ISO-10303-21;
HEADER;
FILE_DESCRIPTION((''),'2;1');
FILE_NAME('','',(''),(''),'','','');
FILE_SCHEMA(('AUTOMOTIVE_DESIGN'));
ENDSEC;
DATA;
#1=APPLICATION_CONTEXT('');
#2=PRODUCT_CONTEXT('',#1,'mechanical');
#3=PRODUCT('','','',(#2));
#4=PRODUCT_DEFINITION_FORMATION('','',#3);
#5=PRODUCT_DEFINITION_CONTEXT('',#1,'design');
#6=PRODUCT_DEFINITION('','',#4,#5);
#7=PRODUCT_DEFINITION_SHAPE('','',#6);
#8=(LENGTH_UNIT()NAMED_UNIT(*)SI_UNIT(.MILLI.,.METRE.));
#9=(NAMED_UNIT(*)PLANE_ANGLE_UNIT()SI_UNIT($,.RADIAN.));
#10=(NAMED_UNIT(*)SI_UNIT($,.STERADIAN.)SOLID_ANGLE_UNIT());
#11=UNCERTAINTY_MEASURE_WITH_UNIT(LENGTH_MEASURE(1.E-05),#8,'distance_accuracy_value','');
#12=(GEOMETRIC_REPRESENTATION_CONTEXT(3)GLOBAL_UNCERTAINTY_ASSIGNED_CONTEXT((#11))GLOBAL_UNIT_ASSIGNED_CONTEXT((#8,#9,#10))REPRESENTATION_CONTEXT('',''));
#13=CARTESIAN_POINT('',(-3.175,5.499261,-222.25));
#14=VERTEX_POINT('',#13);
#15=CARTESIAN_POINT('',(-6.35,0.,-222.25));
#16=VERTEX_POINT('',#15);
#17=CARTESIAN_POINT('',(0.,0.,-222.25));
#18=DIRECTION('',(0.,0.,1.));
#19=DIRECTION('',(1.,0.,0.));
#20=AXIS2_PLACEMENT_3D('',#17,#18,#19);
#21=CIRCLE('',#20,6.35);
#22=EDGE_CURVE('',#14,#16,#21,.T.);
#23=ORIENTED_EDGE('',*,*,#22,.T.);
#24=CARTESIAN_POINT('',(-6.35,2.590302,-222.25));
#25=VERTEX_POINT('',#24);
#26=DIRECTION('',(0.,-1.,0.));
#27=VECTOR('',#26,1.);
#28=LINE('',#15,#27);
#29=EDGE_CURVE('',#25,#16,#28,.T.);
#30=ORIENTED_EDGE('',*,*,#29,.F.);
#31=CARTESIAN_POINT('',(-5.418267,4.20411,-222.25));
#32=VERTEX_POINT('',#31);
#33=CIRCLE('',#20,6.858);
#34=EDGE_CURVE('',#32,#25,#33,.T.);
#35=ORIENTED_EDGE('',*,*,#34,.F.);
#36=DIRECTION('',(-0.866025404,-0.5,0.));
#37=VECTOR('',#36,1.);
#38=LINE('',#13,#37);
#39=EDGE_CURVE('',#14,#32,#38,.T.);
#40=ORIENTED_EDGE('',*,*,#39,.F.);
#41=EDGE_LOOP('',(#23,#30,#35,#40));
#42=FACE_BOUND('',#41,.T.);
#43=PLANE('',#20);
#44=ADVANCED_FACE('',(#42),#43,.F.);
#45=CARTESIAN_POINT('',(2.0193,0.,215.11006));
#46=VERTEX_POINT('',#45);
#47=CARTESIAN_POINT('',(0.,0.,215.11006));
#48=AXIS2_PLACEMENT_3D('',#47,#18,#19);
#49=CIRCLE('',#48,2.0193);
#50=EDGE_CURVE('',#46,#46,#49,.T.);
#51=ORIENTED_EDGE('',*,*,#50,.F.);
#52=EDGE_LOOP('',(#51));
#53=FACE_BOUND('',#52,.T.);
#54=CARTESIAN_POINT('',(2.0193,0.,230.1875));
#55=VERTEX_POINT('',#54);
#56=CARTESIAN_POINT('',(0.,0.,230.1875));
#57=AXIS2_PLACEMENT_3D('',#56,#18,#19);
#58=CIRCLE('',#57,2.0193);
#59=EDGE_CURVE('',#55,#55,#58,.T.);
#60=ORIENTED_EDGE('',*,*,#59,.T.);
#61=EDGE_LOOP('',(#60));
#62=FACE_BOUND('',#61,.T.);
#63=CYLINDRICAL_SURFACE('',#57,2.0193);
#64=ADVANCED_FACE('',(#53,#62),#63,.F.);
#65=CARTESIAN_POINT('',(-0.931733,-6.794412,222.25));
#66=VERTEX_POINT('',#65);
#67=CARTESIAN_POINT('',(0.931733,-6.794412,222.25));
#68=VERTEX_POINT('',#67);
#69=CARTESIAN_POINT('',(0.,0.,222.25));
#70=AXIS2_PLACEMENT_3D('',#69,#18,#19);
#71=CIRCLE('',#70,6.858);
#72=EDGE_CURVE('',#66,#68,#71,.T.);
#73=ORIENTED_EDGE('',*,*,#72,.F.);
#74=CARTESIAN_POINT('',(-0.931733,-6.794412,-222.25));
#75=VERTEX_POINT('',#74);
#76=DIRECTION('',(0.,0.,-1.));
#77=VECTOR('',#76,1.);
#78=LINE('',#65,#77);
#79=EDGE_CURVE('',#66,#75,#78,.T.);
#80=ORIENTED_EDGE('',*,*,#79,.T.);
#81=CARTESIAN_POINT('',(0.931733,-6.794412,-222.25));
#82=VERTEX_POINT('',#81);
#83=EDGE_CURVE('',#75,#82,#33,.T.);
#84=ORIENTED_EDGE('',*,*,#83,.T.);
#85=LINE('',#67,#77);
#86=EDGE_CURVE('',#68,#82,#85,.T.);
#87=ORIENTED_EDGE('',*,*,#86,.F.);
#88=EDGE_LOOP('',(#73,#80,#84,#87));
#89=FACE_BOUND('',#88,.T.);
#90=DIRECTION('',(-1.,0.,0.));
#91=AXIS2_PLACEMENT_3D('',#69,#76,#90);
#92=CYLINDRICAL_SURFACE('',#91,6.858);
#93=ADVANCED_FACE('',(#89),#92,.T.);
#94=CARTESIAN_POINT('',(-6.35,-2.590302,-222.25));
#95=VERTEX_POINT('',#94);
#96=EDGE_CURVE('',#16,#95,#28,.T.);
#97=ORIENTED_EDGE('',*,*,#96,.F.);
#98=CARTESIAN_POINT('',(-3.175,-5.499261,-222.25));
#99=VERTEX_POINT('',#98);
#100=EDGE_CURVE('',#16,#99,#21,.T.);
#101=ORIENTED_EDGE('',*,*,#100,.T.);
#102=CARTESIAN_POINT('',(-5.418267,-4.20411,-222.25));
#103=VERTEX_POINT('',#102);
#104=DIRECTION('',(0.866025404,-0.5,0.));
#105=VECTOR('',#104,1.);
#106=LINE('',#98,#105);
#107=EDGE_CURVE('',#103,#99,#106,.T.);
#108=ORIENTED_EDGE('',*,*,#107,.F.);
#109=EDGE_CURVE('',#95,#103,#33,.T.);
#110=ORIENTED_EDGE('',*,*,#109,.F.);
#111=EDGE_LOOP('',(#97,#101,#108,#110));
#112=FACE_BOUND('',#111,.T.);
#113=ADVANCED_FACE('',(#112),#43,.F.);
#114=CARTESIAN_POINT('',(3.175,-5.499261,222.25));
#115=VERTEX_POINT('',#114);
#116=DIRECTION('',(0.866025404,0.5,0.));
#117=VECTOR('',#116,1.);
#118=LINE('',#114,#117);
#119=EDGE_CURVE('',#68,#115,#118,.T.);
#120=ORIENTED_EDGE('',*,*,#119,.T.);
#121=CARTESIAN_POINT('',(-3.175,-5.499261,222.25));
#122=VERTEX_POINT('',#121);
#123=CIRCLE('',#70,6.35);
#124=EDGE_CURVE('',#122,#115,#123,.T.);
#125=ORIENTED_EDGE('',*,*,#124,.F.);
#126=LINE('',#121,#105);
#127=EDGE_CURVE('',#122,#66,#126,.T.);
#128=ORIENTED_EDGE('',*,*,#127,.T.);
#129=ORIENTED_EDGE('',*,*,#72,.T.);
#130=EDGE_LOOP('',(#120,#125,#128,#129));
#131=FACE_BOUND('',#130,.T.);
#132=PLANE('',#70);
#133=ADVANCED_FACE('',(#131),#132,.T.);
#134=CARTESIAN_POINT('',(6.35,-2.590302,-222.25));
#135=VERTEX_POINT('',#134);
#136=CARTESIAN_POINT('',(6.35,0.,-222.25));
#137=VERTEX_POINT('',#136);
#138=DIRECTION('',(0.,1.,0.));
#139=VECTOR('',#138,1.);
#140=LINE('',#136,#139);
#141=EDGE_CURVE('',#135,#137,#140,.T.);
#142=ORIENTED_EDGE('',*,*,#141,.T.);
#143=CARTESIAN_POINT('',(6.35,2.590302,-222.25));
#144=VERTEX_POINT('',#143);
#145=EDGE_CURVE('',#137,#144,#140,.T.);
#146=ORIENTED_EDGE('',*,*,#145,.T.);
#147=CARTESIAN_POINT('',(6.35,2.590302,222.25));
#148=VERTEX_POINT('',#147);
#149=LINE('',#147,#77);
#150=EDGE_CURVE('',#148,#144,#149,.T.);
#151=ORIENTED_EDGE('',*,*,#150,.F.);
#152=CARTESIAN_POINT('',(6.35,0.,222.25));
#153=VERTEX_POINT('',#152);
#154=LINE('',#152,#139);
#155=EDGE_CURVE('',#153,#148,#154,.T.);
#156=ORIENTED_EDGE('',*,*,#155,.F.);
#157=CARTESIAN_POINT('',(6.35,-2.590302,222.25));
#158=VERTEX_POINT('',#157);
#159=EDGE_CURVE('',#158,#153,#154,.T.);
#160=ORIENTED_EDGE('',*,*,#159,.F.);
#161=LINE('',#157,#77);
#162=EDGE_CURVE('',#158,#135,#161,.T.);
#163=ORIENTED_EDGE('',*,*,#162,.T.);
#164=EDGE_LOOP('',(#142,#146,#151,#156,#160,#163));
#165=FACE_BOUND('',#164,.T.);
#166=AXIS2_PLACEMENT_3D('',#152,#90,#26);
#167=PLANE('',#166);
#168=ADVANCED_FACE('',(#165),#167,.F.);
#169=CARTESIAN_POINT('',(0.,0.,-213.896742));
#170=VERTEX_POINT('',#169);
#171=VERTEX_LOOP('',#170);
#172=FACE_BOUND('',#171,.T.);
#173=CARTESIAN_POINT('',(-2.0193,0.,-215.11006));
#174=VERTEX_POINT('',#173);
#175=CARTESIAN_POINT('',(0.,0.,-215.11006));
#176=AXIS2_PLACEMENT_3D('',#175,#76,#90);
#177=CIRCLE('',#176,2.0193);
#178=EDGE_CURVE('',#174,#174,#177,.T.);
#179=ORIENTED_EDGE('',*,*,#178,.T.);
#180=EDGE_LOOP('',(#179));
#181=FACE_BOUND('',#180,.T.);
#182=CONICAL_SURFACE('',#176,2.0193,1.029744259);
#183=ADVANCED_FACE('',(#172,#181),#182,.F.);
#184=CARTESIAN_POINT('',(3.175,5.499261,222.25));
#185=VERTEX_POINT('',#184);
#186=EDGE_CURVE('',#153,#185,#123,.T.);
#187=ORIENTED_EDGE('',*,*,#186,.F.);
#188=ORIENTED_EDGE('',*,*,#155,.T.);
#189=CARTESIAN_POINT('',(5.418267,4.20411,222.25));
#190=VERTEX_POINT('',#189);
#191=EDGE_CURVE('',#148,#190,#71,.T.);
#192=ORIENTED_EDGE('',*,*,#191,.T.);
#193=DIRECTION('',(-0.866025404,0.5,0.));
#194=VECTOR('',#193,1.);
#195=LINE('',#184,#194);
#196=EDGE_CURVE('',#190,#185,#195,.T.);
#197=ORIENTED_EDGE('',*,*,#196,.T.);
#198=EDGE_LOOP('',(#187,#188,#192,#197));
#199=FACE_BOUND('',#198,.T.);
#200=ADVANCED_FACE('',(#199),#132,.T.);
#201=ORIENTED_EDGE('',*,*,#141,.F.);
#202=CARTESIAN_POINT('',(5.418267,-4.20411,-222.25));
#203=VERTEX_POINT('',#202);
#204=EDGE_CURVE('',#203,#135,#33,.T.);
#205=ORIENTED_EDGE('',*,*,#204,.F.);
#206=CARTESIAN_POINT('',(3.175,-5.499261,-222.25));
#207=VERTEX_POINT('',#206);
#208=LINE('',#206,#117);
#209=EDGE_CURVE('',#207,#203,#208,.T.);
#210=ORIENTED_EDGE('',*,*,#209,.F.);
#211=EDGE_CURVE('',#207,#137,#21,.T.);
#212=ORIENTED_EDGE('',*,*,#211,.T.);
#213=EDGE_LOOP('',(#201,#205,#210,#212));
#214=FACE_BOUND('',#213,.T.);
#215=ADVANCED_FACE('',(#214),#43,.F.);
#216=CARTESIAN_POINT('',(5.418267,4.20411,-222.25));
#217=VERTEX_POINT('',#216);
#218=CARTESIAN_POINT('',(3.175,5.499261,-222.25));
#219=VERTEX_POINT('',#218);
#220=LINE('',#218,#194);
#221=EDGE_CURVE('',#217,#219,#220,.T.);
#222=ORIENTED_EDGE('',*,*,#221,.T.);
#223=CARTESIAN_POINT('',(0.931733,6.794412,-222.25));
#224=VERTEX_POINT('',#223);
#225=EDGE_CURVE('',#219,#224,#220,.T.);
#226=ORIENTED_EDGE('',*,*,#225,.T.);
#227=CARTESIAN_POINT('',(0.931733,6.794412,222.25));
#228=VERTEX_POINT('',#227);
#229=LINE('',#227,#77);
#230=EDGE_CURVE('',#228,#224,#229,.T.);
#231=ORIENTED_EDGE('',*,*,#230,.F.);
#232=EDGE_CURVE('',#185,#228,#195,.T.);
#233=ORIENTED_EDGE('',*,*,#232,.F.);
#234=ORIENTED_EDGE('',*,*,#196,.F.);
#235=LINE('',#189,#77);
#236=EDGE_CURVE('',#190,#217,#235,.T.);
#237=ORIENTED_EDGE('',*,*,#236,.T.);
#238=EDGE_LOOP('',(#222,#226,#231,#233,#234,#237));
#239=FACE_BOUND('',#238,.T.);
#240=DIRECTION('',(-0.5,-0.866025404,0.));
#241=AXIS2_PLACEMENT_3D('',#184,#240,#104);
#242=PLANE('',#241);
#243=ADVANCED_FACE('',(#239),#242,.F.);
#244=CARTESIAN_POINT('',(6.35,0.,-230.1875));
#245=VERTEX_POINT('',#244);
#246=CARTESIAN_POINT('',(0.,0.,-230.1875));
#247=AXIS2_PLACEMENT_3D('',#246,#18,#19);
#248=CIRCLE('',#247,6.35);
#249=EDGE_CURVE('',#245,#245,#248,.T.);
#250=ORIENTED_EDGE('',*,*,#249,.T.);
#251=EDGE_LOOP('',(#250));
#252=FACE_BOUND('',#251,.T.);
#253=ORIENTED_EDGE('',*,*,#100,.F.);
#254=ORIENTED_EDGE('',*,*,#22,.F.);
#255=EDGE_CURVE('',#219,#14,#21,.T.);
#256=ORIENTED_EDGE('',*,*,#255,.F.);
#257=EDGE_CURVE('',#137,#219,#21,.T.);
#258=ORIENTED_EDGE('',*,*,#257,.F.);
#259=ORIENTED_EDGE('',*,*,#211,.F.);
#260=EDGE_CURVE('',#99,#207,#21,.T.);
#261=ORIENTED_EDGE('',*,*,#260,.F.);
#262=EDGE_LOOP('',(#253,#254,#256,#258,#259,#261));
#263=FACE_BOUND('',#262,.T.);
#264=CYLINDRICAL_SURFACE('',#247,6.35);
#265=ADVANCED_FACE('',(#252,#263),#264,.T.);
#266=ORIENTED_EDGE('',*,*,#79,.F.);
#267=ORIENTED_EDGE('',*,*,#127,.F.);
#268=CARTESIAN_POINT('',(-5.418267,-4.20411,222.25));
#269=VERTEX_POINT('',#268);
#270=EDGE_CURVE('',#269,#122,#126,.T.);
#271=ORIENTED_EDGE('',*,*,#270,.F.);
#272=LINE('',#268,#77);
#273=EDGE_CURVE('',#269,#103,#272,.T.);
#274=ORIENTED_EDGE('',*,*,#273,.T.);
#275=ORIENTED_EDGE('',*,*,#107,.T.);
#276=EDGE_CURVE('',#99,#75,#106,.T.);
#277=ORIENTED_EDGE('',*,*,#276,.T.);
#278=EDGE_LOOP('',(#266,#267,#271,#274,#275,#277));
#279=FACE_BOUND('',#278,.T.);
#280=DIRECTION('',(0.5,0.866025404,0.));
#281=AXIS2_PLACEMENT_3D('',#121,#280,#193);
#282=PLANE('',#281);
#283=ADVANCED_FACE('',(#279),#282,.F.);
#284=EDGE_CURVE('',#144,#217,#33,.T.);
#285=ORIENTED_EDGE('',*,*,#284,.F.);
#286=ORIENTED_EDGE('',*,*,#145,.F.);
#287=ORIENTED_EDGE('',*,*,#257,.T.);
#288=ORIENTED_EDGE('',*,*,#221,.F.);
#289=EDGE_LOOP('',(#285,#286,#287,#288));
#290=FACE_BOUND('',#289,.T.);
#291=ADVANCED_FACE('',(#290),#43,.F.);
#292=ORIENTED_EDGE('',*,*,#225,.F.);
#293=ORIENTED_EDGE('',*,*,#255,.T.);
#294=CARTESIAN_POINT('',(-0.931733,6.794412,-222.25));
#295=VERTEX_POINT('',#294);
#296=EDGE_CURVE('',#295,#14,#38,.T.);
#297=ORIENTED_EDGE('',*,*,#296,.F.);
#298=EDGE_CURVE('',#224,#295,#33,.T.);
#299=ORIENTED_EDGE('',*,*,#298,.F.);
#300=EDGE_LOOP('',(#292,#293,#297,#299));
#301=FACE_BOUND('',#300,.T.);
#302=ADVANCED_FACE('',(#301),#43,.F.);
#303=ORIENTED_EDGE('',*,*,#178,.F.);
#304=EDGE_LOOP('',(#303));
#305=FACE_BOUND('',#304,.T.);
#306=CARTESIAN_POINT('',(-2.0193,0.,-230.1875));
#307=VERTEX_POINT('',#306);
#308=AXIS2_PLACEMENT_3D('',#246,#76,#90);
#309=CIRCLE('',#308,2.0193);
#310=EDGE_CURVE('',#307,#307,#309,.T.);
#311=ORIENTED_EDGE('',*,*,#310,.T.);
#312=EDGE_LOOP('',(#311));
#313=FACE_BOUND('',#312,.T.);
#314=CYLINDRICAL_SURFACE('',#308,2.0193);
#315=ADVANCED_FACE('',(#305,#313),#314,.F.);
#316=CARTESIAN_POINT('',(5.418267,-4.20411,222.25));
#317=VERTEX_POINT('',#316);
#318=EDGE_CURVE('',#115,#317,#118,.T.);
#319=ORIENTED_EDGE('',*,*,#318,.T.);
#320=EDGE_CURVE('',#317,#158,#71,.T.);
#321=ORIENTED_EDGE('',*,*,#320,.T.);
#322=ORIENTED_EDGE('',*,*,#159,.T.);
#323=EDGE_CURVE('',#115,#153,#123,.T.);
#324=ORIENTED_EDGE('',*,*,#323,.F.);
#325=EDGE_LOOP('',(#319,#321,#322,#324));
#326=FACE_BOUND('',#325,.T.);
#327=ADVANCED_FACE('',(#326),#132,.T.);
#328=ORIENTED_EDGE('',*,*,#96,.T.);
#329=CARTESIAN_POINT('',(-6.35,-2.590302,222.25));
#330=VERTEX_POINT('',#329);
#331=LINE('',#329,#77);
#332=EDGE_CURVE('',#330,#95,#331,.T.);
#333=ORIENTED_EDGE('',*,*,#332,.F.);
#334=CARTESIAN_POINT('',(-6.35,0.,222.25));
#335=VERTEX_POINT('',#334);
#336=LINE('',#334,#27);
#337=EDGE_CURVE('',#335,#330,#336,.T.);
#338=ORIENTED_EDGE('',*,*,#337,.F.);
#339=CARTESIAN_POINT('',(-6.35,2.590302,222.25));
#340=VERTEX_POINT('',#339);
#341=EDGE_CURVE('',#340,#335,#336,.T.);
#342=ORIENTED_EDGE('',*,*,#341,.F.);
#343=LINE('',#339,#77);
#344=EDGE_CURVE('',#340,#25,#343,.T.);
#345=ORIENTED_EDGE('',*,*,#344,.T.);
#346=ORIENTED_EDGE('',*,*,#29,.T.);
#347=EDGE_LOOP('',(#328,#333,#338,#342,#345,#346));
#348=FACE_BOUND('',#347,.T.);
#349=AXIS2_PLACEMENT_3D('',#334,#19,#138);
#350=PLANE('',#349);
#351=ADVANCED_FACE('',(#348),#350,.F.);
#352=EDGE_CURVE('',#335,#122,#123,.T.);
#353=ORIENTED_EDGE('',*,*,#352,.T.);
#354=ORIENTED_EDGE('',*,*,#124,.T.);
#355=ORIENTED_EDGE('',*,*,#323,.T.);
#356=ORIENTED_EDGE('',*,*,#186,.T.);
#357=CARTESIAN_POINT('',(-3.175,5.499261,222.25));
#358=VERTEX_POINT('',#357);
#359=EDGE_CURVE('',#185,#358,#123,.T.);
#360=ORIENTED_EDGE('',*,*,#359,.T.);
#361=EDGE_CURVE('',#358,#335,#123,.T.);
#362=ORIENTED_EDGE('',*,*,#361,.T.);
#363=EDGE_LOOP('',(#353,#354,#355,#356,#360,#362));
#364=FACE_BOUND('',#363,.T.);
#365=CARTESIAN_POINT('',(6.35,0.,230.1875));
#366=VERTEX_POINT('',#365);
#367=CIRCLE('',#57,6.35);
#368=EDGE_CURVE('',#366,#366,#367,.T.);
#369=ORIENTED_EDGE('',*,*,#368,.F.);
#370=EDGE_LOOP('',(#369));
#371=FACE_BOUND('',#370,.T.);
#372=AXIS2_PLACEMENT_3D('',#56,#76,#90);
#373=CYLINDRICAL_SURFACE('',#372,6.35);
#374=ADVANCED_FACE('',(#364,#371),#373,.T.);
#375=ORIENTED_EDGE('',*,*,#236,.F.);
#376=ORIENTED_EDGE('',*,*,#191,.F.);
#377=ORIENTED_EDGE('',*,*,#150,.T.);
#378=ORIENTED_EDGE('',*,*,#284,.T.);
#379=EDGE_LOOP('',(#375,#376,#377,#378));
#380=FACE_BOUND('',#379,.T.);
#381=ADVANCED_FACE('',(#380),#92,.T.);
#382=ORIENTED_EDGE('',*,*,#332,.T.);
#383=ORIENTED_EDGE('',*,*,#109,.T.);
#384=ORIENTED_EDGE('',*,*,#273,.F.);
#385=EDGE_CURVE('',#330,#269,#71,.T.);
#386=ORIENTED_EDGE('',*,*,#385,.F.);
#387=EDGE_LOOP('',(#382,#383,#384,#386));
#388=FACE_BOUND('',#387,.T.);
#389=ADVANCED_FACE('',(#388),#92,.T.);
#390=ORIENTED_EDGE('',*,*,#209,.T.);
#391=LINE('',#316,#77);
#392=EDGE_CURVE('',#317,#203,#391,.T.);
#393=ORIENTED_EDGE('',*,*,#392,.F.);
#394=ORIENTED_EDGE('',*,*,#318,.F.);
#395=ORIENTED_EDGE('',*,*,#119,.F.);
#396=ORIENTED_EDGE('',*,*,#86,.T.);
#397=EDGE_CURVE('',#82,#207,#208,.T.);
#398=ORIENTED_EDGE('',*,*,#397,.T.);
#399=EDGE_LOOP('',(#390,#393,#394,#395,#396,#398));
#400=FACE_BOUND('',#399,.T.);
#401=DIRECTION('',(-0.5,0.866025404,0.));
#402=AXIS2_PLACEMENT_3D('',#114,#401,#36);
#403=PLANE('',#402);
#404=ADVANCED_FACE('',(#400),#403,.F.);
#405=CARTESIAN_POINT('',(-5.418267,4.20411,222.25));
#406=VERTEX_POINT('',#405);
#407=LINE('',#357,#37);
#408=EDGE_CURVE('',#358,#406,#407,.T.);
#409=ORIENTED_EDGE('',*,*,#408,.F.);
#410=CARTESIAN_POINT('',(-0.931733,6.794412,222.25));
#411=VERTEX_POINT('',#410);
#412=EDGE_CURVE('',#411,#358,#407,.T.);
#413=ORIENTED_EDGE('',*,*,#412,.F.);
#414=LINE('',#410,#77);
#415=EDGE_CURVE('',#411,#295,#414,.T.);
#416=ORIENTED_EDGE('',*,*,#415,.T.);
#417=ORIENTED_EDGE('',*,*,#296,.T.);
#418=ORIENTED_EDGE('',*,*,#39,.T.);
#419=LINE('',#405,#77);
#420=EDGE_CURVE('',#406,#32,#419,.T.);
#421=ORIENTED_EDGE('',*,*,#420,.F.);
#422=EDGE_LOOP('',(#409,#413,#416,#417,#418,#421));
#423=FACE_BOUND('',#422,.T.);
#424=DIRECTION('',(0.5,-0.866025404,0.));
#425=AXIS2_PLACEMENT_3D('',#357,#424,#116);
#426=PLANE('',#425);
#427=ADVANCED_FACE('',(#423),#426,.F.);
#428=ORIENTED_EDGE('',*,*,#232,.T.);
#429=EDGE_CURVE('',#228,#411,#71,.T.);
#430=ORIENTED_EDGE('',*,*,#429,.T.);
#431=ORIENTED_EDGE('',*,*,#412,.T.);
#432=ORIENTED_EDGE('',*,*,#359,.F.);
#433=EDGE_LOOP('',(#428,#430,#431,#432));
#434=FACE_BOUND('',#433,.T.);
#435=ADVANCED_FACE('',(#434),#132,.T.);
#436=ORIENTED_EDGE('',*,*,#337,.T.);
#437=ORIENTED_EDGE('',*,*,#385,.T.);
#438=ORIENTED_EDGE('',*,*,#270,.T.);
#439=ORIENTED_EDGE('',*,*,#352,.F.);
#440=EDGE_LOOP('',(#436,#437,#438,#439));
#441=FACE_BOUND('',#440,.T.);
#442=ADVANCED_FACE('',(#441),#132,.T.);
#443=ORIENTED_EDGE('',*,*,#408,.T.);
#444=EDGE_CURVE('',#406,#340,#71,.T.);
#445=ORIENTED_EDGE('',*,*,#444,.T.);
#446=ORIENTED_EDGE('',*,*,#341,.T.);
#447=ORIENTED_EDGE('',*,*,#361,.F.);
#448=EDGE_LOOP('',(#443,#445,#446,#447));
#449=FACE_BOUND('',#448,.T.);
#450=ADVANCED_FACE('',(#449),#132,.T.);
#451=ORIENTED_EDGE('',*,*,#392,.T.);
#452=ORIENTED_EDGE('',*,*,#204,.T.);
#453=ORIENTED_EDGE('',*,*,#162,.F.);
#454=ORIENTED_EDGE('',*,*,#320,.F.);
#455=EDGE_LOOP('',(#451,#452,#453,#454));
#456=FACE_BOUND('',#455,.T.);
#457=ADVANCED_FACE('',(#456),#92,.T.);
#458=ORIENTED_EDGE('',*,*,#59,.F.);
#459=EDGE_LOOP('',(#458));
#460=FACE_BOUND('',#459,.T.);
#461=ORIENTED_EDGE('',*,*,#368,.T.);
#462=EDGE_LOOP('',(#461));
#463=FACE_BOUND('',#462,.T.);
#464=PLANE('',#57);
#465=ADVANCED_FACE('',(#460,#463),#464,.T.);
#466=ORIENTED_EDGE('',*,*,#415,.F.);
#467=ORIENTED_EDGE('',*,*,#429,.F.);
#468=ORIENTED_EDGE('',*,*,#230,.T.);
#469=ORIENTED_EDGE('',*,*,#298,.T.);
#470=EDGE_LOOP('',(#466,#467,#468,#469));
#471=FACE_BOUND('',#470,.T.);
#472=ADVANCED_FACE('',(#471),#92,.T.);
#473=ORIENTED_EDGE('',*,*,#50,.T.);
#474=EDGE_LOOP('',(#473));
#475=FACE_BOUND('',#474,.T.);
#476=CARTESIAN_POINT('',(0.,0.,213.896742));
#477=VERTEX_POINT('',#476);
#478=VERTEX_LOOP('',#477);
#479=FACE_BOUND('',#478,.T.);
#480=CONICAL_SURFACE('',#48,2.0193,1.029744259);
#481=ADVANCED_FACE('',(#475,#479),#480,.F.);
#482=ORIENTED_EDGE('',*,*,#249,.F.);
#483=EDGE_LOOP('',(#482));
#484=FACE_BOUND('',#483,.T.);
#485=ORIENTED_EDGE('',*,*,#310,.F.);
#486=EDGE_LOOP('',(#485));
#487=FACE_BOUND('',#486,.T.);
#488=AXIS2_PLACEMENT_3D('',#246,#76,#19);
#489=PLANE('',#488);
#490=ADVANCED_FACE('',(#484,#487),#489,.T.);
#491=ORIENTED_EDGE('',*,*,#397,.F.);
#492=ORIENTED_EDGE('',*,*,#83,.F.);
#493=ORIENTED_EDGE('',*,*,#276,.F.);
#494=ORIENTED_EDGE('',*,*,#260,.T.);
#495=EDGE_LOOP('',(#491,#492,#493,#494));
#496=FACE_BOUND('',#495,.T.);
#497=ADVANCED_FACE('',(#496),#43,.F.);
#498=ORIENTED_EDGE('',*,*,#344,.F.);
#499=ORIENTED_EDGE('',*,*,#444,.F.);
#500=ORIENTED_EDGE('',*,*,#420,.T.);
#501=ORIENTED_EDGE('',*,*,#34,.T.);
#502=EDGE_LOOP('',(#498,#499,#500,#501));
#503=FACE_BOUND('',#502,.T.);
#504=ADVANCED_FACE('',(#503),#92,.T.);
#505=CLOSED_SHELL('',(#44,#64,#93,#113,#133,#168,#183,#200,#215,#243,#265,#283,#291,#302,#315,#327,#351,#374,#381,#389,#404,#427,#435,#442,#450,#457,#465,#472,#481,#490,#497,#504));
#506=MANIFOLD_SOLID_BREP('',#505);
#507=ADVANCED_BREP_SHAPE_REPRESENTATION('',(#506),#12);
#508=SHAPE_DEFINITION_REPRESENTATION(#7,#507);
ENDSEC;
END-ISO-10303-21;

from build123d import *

# Parameters (mm, degrees)
BOSS_EXTRUDE1_DEPTH = 222.25
SKETCH5_R           = 6.35
BOSS_EXTRUDE2_DEPTH = 7.9375


with BuildPart() as part:
    # Sketch1 → Boss-Extrude1 (new, symmetric)
    with BuildSketch(Plane.XY):
        with BuildLine():
            ThreePointArc((0.93173274, 6.79441227), (0, 6.858), (-0.93173274, 6.79441227))
            Line((-0.93173274, 6.79441227), (-5.41826726, 4.204110358))
            ThreePointArc((-5.41826726, 4.204110358), (-5.939202219, 3.429), (-6.35, 2.590301913))
            Line((-6.35, 2.590301913), (-6.35, -2.590301913))
            ThreePointArc((-6.35, -2.590301913), (-5.939202219, -3.429), (-5.41826726, -4.204110358))
            Line((-5.41826726, -4.204110358), (-0.93173274, -6.79441227))
            ThreePointArc((-0.93173274, -6.79441227), (0, -6.858), (0.93173274, -6.79441227))
            Line((0.93173274, -6.79441227), (5.41826726, -4.204110358))
            ThreePointArc((5.41826726, -4.204110358), (5.939202219, -3.429), (6.35, -2.590301913))
            Line((6.35, -2.590301913), (6.35, 2.590301913))
            ThreePointArc((6.35, 2.590301913), (5.939202219, 3.429), (5.41826726, 4.204110358))
            Line((5.41826726, 4.204110358), (0.93173274, 6.79441227))
        make_face()
    extrude(amount=BOSS_EXTRUDE1_DEPTH, both=True)

    # Sketch5 → Boss-Extrude2 (add)
    with BuildSketch(Plane.XY.offset(222.25)):
        Circle(SKETCH5_R)
    boss_extrude2 = extrude(amount=BOSS_EXTRUDE2_DEPTH)

    # Sketch6 → #10-32 Tapped Hole2 (revolve, cut)
    with BuildSketch(Plane(origin=(0, 0, 230.1875), x_dir=(0, -1, 0), z_dir=(1, 0, 0))):
        Polygon((0, 0), (0, 16.290757848), (2.0193, 15.07744), (2.0193, 0), align=None)
    f_10_32_tapped_hole2 = revolve(axis=Axis((0, 0, 236.5375), (0, 0, -1)), mode=Mode.SUBTRACT)

    # Mirror1: Boss-Extrude2, #10-32 Tapped Hole2 across plane
    add(boss_extrude2.mirror(Plane.XY))
    add(f_10_32_tapped_hole2.mirror(Plane.XY), mode=Mode.SUBTRACT)


solid = part.part
